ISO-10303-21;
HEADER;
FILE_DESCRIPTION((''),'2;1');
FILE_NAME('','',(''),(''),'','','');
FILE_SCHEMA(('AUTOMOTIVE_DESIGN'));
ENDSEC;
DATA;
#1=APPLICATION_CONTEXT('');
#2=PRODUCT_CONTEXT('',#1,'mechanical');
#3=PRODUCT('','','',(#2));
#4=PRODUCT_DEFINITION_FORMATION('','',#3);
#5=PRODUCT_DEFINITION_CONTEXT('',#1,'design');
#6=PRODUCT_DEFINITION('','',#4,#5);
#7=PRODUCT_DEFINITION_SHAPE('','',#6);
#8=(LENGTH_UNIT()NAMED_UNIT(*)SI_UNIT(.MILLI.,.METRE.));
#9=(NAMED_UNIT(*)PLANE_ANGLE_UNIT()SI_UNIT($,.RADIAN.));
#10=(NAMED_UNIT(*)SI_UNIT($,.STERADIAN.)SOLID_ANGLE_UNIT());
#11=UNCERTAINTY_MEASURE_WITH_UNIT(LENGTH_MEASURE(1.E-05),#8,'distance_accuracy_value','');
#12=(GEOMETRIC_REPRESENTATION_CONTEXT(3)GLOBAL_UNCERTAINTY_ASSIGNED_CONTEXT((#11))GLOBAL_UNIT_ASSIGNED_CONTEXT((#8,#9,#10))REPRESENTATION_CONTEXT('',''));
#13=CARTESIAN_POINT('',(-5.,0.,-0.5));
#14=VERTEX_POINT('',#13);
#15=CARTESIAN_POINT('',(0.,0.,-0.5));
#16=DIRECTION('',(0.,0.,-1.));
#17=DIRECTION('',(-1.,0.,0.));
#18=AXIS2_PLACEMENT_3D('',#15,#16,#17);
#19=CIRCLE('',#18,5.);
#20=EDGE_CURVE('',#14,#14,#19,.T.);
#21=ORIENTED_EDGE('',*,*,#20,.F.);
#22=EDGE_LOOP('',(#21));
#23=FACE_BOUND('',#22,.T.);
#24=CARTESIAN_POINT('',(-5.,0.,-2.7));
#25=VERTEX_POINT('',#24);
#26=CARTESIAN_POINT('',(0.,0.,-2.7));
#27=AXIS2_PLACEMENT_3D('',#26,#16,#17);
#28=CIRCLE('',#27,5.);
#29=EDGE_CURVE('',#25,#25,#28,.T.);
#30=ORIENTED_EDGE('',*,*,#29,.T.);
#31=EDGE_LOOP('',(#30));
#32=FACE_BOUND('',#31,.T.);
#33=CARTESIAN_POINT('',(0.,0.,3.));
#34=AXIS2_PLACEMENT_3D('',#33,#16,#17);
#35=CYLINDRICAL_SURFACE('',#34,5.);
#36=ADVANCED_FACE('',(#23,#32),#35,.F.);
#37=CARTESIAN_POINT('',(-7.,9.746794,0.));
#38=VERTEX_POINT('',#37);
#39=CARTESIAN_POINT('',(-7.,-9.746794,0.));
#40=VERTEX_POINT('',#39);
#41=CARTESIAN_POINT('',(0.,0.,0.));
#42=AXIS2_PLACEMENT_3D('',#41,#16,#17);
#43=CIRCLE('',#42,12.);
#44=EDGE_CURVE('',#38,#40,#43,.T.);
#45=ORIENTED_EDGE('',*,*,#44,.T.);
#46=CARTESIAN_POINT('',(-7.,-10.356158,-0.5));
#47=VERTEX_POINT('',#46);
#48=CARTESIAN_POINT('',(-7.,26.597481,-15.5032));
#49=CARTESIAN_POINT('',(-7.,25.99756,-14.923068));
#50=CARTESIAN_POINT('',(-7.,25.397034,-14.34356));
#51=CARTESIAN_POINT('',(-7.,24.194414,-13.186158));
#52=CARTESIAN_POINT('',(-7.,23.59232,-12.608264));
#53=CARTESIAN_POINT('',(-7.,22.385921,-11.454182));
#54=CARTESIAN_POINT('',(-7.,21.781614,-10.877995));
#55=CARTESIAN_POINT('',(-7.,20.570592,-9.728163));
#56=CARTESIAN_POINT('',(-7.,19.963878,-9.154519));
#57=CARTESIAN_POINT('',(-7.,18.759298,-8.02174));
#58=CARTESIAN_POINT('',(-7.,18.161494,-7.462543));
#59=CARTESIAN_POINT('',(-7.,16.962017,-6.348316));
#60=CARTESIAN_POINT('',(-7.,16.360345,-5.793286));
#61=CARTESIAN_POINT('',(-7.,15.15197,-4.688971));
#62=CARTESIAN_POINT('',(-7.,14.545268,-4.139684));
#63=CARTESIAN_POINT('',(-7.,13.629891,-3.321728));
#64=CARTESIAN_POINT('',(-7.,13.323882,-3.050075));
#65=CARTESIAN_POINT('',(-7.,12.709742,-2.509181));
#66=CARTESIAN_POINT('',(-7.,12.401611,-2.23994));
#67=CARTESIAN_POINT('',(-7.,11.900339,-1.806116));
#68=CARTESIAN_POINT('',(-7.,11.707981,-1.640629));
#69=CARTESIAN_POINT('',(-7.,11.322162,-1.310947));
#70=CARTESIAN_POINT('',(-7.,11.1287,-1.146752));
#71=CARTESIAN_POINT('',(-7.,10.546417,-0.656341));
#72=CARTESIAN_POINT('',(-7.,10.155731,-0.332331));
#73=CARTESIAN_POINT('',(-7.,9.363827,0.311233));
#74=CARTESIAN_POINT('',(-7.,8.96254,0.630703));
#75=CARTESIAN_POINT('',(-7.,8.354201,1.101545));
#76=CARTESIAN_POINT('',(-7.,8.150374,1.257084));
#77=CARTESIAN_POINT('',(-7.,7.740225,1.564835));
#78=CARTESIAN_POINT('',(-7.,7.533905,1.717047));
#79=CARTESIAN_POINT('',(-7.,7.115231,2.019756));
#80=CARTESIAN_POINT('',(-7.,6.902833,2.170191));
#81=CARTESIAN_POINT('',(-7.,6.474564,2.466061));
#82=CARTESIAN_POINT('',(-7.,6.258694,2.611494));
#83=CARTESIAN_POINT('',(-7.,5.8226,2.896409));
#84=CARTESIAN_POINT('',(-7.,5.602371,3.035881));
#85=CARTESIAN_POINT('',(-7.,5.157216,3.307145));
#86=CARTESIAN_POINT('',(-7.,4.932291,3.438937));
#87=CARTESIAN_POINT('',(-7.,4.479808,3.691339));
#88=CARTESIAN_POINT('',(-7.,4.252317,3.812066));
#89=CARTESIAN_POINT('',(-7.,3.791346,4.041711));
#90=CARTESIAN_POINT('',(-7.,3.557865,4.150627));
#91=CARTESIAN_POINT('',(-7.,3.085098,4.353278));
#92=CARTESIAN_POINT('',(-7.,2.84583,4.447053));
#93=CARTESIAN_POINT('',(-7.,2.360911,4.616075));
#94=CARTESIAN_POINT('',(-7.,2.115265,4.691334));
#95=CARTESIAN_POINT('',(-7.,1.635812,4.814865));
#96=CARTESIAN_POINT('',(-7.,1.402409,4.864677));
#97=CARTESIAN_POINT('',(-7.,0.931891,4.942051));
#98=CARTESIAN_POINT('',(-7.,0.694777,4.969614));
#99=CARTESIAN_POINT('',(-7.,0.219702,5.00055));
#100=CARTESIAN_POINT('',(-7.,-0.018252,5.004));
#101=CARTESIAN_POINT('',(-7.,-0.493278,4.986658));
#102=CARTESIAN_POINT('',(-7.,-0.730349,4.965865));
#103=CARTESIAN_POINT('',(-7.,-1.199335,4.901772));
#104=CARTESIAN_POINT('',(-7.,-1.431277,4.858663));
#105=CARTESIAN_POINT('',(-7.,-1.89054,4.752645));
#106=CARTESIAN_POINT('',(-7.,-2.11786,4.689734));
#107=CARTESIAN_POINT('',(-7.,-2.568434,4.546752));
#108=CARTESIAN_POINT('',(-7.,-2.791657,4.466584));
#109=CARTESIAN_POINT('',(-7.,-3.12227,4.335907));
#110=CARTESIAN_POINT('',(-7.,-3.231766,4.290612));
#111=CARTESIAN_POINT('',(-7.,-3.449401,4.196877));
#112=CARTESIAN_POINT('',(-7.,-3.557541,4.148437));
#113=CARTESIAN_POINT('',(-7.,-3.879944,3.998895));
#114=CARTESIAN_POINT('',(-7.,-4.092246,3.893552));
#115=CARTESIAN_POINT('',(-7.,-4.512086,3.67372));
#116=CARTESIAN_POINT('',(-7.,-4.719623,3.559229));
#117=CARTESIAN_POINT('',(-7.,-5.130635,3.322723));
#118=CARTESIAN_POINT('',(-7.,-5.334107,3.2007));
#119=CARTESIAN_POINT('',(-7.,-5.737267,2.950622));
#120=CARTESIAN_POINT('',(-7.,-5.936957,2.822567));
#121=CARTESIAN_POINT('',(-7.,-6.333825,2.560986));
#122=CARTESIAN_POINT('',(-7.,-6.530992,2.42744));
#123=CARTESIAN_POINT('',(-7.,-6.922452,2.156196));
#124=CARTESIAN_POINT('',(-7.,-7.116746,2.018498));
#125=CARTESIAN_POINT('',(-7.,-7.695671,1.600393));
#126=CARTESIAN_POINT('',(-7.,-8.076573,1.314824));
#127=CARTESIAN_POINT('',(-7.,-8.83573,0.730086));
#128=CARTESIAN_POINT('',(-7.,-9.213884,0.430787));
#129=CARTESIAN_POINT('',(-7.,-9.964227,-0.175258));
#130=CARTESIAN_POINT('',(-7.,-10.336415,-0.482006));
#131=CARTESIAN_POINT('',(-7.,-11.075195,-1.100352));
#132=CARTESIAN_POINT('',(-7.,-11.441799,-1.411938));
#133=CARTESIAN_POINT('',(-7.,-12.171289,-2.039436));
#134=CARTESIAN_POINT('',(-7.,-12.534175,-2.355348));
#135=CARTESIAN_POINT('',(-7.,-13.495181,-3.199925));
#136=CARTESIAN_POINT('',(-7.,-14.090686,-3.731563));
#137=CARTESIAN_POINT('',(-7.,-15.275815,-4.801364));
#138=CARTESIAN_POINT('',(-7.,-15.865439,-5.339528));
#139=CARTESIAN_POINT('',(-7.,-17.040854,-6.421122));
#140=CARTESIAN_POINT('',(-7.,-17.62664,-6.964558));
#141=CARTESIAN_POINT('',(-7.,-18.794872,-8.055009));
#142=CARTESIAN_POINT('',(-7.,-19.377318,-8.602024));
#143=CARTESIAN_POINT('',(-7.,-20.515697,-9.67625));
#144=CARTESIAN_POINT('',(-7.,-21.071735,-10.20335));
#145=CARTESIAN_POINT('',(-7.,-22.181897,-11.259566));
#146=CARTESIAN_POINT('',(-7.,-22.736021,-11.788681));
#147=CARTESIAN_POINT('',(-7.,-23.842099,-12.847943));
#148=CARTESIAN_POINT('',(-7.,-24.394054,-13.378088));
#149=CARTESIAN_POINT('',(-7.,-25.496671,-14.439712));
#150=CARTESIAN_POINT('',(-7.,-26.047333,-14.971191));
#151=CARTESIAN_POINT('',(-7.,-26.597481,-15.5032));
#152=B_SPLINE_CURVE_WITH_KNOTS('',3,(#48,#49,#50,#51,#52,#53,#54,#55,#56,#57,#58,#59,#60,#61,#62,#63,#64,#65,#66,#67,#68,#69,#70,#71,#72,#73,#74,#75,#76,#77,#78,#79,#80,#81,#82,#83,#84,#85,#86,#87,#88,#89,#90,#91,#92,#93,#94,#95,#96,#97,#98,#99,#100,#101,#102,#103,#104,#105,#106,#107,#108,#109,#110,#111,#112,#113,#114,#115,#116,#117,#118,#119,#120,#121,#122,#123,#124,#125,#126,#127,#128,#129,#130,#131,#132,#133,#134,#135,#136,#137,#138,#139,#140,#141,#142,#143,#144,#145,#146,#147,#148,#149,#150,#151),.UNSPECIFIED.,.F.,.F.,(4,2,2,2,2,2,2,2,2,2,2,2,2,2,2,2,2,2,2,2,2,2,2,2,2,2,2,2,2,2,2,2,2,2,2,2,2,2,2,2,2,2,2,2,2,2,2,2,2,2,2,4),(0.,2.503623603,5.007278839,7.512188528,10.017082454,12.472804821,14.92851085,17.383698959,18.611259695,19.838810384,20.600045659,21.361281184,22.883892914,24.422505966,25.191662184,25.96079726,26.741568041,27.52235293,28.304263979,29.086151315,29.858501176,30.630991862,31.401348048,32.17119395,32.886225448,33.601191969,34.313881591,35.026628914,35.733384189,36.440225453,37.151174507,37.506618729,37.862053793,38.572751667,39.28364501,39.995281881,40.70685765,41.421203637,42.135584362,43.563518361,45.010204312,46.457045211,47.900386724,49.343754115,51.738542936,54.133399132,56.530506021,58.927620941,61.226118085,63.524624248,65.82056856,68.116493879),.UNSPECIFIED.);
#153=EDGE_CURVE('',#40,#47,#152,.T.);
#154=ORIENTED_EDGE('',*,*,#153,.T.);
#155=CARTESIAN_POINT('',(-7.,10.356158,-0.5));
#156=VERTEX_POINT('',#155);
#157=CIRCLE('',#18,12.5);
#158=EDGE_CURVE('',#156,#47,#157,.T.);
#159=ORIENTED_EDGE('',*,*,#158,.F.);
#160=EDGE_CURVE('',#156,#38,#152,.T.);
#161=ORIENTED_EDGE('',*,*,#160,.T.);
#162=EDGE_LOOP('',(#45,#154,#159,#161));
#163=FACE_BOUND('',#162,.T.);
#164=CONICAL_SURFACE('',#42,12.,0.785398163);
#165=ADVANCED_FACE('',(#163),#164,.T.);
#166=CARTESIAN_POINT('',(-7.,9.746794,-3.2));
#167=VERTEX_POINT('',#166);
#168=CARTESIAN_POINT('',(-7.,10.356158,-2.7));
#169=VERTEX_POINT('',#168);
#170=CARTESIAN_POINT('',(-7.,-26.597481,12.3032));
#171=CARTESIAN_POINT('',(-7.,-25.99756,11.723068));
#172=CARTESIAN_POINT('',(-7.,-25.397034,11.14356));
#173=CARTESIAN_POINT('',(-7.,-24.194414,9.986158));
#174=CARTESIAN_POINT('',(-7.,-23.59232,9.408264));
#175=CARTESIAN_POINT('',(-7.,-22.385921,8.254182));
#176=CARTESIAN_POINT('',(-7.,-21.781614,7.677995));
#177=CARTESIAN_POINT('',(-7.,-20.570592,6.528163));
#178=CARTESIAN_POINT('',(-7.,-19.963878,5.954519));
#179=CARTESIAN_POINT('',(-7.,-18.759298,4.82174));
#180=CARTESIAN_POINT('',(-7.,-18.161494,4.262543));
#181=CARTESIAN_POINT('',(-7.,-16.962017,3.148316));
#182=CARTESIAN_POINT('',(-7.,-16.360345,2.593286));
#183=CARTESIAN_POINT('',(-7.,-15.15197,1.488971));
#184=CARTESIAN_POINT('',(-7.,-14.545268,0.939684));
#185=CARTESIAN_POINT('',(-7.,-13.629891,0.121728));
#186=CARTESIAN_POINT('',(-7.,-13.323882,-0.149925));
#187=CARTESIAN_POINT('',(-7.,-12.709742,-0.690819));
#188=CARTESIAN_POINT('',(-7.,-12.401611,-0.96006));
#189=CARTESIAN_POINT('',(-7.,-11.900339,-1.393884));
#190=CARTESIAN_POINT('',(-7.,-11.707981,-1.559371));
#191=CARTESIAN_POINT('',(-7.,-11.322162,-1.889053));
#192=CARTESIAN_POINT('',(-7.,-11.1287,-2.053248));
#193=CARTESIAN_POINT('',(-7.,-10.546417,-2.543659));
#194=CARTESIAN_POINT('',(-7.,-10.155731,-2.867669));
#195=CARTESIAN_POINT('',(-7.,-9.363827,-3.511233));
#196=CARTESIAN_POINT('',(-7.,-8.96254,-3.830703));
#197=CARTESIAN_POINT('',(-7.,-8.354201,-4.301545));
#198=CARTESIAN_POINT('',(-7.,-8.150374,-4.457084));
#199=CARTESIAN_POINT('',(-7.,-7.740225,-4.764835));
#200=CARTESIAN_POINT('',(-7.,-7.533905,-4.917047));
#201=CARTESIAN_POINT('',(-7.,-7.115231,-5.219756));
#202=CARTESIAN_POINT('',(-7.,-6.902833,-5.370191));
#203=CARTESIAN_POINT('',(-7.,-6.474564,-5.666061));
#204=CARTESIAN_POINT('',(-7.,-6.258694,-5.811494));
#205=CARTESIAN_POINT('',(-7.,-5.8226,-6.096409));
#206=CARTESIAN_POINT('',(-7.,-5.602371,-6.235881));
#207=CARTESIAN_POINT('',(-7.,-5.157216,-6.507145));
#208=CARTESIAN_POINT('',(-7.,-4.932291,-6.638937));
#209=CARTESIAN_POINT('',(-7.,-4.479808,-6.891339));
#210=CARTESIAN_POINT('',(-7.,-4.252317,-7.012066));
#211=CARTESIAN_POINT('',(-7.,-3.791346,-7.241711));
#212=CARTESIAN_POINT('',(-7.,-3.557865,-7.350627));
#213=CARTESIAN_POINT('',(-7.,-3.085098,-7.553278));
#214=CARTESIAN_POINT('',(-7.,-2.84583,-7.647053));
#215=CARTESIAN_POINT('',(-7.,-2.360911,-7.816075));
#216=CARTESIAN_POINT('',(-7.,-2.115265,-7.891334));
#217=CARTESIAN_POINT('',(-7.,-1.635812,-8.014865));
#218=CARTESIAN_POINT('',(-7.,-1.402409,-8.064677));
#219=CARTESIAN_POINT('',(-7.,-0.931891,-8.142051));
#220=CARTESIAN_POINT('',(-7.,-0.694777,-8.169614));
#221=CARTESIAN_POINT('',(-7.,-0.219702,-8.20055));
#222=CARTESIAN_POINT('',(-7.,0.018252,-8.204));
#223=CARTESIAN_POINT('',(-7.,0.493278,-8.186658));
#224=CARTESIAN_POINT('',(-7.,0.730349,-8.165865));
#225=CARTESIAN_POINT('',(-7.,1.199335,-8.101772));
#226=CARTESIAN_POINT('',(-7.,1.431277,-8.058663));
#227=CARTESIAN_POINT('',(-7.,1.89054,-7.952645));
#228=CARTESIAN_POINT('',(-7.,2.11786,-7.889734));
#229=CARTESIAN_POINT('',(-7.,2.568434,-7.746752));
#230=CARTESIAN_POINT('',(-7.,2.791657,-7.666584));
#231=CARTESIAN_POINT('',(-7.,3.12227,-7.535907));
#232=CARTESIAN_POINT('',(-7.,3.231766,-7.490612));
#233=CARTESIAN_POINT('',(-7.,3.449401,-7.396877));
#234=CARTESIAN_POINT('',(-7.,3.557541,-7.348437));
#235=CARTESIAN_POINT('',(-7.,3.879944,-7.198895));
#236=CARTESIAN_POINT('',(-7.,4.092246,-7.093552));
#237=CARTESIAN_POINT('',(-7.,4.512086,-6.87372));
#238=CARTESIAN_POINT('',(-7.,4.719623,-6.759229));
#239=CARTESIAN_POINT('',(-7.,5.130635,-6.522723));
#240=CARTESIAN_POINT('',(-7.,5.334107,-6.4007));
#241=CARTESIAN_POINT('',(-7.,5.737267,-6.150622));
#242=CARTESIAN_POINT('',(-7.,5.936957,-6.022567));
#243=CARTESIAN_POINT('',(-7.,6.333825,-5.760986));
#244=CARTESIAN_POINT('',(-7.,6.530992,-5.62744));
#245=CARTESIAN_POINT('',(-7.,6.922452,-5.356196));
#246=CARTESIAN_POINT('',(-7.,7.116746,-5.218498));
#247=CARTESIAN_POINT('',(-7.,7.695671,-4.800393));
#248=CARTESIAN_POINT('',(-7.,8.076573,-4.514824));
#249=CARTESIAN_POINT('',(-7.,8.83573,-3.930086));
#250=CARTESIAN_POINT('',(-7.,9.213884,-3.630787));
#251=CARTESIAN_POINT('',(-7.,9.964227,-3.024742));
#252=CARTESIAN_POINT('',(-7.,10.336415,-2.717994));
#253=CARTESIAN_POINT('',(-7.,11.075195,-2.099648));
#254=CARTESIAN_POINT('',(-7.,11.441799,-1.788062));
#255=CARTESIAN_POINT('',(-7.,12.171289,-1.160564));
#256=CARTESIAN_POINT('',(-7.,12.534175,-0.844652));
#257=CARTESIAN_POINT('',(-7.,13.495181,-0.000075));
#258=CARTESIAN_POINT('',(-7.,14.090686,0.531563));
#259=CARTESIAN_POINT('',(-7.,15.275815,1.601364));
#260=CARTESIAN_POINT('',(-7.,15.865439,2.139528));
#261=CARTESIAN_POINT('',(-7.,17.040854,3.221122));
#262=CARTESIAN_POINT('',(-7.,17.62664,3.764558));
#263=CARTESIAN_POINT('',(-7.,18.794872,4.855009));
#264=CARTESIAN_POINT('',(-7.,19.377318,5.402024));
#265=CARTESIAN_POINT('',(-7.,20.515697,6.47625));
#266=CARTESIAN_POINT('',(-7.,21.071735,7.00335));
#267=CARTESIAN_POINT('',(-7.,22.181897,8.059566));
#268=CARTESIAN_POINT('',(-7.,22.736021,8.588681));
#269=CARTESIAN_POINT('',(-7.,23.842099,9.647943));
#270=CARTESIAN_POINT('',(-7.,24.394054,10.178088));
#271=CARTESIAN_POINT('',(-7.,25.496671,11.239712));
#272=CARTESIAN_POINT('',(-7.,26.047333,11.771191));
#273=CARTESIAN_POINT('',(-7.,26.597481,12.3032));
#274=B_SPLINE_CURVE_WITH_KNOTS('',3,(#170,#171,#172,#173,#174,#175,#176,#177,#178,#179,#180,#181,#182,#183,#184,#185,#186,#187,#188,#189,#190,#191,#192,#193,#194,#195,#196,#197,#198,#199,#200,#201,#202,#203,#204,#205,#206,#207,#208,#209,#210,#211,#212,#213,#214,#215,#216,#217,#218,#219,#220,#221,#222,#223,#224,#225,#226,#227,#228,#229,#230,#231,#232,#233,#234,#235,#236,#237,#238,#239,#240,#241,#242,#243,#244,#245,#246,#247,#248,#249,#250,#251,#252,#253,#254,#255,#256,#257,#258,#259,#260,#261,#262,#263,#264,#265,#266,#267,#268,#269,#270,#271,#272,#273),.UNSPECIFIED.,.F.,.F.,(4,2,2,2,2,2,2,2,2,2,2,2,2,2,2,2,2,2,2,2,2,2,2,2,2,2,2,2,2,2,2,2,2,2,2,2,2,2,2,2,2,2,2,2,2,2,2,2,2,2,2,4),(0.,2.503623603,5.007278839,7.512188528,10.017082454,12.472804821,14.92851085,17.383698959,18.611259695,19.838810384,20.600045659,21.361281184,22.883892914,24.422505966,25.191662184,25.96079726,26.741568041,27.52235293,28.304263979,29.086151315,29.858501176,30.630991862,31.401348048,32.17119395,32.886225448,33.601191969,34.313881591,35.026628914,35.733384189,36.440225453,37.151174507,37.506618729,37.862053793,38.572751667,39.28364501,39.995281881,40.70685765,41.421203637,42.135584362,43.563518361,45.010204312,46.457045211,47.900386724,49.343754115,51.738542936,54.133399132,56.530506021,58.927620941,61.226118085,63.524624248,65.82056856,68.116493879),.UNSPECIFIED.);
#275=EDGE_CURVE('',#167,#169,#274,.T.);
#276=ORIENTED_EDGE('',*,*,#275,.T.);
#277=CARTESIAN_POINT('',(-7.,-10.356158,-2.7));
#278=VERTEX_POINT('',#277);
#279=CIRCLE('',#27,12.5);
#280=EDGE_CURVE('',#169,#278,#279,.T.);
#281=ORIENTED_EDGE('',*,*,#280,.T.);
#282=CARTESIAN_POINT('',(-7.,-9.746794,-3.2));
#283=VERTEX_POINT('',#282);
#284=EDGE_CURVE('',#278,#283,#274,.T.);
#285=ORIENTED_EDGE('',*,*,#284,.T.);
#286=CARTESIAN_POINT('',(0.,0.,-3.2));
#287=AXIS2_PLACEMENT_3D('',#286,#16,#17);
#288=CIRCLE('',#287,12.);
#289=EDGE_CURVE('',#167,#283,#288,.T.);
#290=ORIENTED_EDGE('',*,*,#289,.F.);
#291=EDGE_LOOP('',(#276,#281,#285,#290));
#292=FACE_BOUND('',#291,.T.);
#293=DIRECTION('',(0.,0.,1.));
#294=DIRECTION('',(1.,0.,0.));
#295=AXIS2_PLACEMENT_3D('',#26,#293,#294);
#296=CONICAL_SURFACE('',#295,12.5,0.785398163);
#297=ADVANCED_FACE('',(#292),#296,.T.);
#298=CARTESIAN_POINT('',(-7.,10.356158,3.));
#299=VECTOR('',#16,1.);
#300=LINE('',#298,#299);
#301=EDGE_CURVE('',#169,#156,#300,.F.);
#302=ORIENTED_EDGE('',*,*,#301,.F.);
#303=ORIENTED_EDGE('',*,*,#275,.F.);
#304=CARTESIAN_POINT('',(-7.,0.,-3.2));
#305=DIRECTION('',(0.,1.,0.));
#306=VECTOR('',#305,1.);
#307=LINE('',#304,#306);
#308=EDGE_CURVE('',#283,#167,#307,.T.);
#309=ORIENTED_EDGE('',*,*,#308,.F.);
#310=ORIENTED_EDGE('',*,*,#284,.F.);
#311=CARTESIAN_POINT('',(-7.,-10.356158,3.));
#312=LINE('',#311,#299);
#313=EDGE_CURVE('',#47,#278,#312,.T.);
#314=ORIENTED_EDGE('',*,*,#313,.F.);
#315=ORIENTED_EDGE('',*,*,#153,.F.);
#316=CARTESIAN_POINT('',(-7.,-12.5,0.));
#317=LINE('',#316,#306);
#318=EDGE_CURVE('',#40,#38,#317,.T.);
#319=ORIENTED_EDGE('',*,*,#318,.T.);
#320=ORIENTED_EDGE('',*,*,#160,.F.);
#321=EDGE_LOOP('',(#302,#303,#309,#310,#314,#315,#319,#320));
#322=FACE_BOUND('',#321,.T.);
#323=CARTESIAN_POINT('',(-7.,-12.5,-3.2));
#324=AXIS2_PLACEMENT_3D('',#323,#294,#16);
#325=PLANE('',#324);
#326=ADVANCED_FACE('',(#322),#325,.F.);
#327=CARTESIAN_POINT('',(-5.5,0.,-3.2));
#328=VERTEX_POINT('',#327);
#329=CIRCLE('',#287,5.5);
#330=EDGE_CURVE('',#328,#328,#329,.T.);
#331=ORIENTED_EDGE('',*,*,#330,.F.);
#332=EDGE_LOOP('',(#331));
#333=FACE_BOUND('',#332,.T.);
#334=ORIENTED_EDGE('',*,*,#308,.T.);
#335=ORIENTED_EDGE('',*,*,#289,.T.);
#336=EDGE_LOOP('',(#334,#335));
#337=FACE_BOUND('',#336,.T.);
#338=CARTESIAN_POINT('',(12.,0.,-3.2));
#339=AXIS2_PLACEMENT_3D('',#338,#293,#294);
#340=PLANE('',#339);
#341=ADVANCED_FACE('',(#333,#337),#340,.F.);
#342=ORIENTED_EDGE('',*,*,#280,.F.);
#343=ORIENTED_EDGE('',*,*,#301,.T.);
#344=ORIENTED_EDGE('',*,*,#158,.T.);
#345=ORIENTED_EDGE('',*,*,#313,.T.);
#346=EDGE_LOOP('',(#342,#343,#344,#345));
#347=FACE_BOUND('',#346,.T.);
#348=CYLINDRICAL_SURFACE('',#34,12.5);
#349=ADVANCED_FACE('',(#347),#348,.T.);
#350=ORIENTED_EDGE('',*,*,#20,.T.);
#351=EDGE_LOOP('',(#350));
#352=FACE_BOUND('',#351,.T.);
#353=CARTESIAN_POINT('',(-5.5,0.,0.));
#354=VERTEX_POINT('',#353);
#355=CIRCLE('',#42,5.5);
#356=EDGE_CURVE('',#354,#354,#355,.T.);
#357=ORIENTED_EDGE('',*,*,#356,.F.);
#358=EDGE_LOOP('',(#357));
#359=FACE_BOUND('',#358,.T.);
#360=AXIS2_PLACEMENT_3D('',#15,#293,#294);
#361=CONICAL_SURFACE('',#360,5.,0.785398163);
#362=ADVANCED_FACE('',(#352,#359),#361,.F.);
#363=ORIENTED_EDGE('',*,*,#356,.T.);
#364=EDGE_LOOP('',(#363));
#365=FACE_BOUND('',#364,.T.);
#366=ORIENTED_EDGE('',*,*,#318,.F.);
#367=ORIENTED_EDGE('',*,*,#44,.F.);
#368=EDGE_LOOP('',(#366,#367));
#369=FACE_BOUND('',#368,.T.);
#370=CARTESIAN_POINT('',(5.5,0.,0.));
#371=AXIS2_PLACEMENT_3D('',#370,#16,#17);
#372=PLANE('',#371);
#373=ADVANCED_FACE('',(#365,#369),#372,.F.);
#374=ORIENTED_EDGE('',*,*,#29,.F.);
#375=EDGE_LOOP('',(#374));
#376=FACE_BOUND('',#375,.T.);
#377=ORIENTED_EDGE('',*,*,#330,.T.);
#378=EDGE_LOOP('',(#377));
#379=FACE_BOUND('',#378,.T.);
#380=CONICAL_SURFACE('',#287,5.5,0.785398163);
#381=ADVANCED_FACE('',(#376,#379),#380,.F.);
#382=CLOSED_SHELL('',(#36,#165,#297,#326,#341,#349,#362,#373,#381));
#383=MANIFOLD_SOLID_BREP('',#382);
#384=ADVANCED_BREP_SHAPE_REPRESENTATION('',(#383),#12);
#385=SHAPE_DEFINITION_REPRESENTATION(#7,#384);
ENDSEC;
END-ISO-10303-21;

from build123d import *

# Parameters (mm, degrees)
SKETCH_2_W          = 25
SKETCH_2_H          = 25
CUT_EXTRUDE_1_DEPTH = 3.2


with BuildPart() as part:
    # 草图1 → 旋转1 (revolve)
    with BuildSketch(Plane(origin=(0, 0, 0), x_dir=(1, 0, 0), z_dir=(0, 1, 0))):
        Polygon((5, 2.7), (5, 0.5), (5.5, 0), (12, 0), (12.5, 0.5), (12.5, 2.7), (12, 3.2), (5.5, 3.2), align=None)
    revolve(axis=Axis((0, 0, 3), (0, 0, -1)))

    # 草图2 → 切除-拉伸1 (cut)
    with BuildSketch(Plane.XY):
        with Locations((-19.5, 0)):
            Rectangle(SKETCH_2_W, SKETCH_2_H)
    extrude(amount=-CUT_EXTRUDE_1_DEPTH, mode=Mode.SUBTRACT)


solid = part.part
